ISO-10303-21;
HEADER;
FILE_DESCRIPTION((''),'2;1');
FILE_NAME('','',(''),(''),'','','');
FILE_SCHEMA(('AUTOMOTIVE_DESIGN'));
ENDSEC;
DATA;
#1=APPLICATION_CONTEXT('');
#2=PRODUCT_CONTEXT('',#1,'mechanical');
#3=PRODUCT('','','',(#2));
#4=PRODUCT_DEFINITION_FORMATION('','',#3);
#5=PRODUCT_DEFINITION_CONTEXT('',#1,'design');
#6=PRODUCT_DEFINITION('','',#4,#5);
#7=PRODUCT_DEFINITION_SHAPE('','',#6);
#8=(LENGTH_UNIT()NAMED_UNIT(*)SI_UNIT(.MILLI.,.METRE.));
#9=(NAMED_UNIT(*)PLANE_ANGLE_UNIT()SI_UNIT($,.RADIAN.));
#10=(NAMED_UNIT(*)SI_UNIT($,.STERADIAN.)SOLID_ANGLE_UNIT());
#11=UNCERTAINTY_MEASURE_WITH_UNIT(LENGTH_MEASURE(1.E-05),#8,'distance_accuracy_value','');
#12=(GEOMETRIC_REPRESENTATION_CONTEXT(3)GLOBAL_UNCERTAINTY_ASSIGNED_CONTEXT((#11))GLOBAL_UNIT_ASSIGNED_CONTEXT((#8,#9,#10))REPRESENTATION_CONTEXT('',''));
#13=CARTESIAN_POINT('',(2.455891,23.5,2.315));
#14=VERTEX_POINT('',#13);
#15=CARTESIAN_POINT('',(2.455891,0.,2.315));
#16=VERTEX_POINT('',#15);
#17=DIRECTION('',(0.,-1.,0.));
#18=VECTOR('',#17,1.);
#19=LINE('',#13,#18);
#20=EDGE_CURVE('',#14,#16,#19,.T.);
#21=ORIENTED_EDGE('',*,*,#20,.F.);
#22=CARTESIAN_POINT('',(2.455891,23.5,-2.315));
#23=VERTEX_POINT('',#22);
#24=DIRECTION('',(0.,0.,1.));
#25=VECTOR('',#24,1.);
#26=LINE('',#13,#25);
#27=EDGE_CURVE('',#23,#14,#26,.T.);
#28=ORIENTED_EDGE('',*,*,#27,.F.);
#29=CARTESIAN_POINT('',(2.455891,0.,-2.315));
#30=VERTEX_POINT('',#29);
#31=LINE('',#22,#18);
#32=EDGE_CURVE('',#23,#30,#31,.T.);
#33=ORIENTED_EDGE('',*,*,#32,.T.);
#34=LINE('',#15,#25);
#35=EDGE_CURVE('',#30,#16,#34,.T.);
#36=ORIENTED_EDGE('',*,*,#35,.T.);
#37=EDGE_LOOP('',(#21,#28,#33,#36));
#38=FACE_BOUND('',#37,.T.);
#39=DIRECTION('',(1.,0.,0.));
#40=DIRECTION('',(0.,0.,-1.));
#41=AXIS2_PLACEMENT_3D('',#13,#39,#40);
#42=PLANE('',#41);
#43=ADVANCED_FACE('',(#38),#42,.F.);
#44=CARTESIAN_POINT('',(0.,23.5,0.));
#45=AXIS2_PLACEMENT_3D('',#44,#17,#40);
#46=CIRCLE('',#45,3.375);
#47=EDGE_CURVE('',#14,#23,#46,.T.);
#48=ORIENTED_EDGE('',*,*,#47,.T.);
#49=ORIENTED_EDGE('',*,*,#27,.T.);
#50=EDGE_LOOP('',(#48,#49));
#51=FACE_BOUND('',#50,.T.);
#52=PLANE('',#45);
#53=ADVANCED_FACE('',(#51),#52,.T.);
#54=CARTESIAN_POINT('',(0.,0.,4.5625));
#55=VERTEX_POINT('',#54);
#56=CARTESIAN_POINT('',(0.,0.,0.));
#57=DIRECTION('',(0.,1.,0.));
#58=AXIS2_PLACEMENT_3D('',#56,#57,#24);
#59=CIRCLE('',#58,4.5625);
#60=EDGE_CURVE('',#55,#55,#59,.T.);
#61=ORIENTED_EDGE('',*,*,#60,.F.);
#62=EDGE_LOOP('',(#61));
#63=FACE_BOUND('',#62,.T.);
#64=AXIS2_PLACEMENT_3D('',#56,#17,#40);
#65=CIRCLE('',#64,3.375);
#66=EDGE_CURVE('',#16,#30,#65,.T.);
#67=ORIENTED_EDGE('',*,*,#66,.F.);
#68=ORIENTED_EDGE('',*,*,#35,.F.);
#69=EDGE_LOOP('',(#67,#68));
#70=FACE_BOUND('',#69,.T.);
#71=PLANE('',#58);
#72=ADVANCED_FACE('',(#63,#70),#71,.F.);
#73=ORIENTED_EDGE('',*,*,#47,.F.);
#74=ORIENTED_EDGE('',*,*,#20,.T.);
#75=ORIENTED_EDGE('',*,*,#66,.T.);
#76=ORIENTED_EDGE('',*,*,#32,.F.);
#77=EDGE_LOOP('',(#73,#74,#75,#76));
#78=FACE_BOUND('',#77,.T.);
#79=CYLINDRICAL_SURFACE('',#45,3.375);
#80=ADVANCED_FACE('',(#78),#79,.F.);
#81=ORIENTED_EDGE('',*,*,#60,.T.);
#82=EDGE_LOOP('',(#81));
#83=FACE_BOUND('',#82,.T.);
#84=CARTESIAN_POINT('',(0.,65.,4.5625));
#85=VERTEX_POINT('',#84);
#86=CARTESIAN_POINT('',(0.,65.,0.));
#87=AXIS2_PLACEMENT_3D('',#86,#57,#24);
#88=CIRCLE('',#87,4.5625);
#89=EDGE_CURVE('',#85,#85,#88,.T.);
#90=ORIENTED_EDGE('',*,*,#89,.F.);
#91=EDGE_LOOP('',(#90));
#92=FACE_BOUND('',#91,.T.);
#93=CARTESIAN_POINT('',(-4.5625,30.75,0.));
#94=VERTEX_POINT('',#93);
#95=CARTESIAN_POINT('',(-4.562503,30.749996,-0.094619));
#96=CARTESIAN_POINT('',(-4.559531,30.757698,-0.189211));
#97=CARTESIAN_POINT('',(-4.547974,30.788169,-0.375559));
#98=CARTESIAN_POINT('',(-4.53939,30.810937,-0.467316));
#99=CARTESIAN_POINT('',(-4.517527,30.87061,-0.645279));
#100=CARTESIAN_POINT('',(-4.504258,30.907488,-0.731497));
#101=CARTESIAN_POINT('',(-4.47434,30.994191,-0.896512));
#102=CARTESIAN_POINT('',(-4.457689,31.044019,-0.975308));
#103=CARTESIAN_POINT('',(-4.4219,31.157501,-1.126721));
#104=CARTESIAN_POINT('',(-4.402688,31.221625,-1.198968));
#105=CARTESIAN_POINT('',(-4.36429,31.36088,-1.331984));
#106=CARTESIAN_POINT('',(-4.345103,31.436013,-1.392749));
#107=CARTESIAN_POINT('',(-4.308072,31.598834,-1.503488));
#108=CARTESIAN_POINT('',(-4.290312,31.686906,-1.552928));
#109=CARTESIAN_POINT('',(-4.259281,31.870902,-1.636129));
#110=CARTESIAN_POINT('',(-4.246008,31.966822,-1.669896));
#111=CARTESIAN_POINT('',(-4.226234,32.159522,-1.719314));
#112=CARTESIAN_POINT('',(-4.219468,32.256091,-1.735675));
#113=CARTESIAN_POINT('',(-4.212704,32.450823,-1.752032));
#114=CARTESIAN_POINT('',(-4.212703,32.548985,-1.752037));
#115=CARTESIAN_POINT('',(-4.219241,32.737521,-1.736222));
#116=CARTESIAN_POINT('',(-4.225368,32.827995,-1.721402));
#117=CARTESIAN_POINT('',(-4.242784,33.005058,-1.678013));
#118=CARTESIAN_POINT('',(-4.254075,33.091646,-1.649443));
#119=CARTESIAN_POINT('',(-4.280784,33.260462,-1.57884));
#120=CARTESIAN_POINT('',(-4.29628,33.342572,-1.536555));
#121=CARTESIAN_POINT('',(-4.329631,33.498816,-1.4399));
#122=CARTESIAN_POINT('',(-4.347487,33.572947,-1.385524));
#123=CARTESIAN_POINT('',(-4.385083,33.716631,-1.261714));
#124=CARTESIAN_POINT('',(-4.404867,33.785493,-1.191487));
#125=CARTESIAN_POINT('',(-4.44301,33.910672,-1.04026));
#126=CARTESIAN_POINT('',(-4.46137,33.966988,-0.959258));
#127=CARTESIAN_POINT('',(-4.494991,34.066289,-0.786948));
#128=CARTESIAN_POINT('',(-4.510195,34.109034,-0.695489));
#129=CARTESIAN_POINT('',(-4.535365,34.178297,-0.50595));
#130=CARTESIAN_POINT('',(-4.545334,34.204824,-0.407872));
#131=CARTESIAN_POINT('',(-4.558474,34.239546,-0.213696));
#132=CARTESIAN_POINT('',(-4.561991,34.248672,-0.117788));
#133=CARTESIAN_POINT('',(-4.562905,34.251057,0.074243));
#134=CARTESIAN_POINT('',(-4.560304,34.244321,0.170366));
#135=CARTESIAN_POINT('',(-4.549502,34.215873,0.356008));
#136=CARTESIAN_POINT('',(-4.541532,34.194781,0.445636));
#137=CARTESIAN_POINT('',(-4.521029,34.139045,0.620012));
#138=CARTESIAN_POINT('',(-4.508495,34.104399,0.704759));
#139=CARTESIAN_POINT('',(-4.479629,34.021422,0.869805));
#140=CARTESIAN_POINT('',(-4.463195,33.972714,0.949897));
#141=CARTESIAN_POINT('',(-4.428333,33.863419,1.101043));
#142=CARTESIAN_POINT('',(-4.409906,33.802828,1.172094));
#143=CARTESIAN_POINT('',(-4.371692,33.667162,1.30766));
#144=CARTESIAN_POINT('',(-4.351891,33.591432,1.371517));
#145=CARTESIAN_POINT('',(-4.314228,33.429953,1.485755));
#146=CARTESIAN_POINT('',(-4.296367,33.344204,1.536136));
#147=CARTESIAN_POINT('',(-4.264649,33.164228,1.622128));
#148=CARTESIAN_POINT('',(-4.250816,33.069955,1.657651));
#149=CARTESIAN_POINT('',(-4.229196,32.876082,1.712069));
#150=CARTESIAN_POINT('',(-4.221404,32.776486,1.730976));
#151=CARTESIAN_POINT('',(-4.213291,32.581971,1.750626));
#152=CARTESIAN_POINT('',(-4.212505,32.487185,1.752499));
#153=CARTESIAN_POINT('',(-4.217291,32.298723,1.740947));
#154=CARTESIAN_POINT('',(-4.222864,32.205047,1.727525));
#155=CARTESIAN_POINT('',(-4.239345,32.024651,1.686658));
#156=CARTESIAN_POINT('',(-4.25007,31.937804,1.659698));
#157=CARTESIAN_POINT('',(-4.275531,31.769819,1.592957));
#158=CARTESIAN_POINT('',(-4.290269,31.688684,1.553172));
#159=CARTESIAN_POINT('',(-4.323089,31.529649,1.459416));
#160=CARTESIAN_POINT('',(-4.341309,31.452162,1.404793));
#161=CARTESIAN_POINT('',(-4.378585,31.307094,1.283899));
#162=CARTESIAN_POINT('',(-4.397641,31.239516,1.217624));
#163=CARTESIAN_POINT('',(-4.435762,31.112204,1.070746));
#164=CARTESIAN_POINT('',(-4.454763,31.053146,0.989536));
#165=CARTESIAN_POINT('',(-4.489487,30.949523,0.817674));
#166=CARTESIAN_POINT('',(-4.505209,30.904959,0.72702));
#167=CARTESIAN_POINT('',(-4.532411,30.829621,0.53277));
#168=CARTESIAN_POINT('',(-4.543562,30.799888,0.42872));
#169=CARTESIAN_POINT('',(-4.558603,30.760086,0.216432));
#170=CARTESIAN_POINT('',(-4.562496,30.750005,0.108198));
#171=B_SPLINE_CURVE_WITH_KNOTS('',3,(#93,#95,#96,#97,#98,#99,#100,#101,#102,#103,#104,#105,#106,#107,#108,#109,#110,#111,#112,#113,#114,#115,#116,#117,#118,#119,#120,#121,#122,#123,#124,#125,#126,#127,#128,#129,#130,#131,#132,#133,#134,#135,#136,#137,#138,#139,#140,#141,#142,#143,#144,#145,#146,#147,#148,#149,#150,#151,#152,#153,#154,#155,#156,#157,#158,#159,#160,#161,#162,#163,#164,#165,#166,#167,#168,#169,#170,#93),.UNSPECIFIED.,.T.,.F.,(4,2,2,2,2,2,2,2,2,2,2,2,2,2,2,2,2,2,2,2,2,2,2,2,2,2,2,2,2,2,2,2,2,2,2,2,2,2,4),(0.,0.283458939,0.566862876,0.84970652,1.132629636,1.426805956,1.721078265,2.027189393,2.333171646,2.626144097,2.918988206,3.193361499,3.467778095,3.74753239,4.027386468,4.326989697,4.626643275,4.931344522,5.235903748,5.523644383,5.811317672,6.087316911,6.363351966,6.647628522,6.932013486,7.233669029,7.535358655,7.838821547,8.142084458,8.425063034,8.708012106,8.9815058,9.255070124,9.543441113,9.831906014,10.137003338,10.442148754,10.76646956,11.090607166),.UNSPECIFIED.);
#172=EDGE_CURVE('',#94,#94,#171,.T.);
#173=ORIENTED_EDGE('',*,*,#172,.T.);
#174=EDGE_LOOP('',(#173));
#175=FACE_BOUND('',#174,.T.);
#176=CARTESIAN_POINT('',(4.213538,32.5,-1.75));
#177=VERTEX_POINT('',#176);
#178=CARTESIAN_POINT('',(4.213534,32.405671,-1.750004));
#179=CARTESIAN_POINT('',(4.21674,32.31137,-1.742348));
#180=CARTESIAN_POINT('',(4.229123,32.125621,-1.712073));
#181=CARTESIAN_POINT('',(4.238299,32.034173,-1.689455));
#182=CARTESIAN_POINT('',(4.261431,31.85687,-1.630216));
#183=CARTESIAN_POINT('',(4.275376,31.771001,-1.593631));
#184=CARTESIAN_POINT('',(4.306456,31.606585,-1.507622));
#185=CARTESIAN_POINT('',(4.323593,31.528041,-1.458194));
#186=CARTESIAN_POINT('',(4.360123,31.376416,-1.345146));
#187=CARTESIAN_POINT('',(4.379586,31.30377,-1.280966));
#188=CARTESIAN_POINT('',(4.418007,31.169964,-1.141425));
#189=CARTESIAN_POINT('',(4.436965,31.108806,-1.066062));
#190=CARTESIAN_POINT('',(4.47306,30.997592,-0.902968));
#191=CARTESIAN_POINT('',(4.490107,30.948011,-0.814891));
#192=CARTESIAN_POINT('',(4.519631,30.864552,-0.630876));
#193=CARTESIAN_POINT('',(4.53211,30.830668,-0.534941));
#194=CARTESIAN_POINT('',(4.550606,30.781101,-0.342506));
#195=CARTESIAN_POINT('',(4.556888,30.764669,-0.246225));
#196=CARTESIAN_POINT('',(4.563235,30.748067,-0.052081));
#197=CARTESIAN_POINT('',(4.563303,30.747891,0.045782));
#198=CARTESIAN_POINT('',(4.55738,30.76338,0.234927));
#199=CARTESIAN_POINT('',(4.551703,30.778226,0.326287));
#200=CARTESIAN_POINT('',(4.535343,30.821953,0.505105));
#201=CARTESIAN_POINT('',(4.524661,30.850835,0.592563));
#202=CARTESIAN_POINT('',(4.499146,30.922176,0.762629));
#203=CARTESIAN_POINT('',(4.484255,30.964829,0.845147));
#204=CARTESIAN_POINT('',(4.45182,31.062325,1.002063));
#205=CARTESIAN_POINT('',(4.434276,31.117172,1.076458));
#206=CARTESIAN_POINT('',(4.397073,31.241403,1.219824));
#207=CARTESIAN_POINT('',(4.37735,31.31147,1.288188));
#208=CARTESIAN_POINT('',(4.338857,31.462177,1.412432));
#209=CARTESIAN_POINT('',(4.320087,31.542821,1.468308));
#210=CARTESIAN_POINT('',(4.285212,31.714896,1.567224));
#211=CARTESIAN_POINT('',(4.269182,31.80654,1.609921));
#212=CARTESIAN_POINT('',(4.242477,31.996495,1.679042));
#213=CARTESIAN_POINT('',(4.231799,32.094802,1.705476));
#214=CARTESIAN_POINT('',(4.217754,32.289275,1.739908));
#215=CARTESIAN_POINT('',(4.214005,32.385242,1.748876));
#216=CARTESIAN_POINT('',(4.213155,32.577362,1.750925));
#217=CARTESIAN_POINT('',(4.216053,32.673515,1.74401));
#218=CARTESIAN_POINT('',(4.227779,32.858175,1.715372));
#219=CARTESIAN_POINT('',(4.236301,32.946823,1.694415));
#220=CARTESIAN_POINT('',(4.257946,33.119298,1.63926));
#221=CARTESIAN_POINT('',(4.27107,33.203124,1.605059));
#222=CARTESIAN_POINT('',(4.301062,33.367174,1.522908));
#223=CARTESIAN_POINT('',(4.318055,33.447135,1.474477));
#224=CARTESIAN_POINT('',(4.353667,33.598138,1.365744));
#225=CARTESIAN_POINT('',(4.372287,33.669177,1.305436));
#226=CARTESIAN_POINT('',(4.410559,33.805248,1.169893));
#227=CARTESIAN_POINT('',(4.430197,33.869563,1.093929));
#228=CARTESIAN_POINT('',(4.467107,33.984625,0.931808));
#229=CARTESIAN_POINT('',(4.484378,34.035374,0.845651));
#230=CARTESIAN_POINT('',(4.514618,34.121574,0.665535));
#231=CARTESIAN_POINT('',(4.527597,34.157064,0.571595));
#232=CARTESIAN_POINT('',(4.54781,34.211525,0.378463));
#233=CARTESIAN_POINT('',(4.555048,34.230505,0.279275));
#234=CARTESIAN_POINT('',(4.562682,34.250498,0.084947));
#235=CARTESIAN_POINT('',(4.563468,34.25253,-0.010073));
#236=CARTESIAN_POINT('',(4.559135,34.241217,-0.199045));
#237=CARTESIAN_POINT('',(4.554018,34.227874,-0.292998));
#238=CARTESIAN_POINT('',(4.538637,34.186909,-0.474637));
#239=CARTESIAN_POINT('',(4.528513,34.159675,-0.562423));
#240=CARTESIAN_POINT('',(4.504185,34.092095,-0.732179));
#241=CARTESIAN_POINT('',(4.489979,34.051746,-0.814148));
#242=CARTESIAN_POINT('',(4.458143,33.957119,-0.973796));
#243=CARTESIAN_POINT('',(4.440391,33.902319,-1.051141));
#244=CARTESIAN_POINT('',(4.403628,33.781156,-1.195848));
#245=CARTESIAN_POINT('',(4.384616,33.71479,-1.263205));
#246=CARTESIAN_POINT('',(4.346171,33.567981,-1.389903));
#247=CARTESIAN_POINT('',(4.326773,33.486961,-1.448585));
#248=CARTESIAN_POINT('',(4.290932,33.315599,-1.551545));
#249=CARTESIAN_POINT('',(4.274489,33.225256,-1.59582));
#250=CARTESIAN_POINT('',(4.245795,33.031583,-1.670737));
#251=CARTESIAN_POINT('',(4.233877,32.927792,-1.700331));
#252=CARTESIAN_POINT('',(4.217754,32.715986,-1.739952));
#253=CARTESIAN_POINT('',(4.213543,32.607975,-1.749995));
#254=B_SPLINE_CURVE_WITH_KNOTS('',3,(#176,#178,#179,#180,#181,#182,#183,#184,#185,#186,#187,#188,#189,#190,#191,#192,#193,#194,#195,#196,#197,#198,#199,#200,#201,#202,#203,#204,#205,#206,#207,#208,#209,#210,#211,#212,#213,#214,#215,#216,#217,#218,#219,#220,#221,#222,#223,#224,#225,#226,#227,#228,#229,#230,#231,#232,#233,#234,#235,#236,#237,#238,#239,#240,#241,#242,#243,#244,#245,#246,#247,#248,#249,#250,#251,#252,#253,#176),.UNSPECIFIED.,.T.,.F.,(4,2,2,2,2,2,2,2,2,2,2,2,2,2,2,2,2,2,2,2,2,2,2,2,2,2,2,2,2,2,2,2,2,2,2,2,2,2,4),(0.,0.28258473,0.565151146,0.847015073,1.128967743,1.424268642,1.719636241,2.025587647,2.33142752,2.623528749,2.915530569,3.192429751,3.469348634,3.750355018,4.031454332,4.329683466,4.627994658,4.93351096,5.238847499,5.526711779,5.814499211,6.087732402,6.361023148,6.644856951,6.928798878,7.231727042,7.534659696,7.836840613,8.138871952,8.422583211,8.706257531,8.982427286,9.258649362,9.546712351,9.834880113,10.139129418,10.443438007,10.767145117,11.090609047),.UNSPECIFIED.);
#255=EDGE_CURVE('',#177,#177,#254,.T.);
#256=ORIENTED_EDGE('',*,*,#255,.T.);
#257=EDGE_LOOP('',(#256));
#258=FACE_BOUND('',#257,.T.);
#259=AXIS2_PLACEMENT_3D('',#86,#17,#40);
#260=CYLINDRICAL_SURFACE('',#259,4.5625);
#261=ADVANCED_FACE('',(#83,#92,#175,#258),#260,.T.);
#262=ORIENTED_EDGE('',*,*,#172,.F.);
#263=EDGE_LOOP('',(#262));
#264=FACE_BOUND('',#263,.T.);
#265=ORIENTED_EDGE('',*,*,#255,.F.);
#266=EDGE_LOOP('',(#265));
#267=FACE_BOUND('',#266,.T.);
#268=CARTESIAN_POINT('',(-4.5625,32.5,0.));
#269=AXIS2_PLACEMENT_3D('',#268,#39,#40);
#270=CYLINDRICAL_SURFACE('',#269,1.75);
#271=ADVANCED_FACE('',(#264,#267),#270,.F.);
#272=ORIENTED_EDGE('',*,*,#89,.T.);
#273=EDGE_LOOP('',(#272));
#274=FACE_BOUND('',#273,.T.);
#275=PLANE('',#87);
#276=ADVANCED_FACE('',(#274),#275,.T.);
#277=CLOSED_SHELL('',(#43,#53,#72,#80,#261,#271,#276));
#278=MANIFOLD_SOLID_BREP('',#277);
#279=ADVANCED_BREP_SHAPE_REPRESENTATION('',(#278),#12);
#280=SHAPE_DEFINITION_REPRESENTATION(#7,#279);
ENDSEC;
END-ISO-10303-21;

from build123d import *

# Parameters (mm, degrees)
SKETCH1_R               = 4.5625
BOSS_EXTRUDE1_DEPTH     = 65
CUT_EXTRUDE1_DEPTH      = 66.319467332
CUT_EXTRUDE1_DEPTH_BACK = 66.319467332
SKETCH2_R               = 1.75
CUT_EXTRUDE2_DEPTH      = 23.5


with BuildPart() as part:
    # Sketch1 → Boss-Extrude1 (new body)
    with BuildSketch(Plane(origin=(0, 0, 0), x_dir=(1, 0, 0), z_dir=(0, 1, 0))):
        with Locations(Location((0, 0, 0), (0, 0, 270))):
            Circle(SKETCH1_R)
    extrude(amount=BOSS_EXTRUDE1_DEPTH)

    # Sketch2 → Cut-Extrude1 (cut, two sides: drawn at the far end of the back side and taken through both)
    with BuildSketch(Plane(origin=(0, 0, 0), x_dir=(0, 0, -1), z_dir=(1, 0, 0)).offset(-CUT_EXTRUDE1_DEPTH_BACK)):
        with Locations((0, 32.5)):
            Circle(SKETCH2_R)
    extrude(amount=CUT_EXTRUDE1_DEPTH + CUT_EXTRUDE1_DEPTH_BACK, mode=Mode.SUBTRACT)

    # Sketch4 → Cut-Extrude2 (cut)
    with BuildSketch(Plane(origin=(0, 0, 0), x_dir=(-1, 0, 0), z_dir=(0, -1, 0))):
        with BuildLine():
            Line((-2.455890877, -2.315), (-2.455890877, 2.315))
            ThreePointArc((-2.455890877, 2.315), (3.375, 0), (-2.455890877, -2.315))
        make_face()
    extrude(amount=-CUT_EXTRUDE2_DEPTH, mode=Mode.SUBTRACT)


solid = part.part
